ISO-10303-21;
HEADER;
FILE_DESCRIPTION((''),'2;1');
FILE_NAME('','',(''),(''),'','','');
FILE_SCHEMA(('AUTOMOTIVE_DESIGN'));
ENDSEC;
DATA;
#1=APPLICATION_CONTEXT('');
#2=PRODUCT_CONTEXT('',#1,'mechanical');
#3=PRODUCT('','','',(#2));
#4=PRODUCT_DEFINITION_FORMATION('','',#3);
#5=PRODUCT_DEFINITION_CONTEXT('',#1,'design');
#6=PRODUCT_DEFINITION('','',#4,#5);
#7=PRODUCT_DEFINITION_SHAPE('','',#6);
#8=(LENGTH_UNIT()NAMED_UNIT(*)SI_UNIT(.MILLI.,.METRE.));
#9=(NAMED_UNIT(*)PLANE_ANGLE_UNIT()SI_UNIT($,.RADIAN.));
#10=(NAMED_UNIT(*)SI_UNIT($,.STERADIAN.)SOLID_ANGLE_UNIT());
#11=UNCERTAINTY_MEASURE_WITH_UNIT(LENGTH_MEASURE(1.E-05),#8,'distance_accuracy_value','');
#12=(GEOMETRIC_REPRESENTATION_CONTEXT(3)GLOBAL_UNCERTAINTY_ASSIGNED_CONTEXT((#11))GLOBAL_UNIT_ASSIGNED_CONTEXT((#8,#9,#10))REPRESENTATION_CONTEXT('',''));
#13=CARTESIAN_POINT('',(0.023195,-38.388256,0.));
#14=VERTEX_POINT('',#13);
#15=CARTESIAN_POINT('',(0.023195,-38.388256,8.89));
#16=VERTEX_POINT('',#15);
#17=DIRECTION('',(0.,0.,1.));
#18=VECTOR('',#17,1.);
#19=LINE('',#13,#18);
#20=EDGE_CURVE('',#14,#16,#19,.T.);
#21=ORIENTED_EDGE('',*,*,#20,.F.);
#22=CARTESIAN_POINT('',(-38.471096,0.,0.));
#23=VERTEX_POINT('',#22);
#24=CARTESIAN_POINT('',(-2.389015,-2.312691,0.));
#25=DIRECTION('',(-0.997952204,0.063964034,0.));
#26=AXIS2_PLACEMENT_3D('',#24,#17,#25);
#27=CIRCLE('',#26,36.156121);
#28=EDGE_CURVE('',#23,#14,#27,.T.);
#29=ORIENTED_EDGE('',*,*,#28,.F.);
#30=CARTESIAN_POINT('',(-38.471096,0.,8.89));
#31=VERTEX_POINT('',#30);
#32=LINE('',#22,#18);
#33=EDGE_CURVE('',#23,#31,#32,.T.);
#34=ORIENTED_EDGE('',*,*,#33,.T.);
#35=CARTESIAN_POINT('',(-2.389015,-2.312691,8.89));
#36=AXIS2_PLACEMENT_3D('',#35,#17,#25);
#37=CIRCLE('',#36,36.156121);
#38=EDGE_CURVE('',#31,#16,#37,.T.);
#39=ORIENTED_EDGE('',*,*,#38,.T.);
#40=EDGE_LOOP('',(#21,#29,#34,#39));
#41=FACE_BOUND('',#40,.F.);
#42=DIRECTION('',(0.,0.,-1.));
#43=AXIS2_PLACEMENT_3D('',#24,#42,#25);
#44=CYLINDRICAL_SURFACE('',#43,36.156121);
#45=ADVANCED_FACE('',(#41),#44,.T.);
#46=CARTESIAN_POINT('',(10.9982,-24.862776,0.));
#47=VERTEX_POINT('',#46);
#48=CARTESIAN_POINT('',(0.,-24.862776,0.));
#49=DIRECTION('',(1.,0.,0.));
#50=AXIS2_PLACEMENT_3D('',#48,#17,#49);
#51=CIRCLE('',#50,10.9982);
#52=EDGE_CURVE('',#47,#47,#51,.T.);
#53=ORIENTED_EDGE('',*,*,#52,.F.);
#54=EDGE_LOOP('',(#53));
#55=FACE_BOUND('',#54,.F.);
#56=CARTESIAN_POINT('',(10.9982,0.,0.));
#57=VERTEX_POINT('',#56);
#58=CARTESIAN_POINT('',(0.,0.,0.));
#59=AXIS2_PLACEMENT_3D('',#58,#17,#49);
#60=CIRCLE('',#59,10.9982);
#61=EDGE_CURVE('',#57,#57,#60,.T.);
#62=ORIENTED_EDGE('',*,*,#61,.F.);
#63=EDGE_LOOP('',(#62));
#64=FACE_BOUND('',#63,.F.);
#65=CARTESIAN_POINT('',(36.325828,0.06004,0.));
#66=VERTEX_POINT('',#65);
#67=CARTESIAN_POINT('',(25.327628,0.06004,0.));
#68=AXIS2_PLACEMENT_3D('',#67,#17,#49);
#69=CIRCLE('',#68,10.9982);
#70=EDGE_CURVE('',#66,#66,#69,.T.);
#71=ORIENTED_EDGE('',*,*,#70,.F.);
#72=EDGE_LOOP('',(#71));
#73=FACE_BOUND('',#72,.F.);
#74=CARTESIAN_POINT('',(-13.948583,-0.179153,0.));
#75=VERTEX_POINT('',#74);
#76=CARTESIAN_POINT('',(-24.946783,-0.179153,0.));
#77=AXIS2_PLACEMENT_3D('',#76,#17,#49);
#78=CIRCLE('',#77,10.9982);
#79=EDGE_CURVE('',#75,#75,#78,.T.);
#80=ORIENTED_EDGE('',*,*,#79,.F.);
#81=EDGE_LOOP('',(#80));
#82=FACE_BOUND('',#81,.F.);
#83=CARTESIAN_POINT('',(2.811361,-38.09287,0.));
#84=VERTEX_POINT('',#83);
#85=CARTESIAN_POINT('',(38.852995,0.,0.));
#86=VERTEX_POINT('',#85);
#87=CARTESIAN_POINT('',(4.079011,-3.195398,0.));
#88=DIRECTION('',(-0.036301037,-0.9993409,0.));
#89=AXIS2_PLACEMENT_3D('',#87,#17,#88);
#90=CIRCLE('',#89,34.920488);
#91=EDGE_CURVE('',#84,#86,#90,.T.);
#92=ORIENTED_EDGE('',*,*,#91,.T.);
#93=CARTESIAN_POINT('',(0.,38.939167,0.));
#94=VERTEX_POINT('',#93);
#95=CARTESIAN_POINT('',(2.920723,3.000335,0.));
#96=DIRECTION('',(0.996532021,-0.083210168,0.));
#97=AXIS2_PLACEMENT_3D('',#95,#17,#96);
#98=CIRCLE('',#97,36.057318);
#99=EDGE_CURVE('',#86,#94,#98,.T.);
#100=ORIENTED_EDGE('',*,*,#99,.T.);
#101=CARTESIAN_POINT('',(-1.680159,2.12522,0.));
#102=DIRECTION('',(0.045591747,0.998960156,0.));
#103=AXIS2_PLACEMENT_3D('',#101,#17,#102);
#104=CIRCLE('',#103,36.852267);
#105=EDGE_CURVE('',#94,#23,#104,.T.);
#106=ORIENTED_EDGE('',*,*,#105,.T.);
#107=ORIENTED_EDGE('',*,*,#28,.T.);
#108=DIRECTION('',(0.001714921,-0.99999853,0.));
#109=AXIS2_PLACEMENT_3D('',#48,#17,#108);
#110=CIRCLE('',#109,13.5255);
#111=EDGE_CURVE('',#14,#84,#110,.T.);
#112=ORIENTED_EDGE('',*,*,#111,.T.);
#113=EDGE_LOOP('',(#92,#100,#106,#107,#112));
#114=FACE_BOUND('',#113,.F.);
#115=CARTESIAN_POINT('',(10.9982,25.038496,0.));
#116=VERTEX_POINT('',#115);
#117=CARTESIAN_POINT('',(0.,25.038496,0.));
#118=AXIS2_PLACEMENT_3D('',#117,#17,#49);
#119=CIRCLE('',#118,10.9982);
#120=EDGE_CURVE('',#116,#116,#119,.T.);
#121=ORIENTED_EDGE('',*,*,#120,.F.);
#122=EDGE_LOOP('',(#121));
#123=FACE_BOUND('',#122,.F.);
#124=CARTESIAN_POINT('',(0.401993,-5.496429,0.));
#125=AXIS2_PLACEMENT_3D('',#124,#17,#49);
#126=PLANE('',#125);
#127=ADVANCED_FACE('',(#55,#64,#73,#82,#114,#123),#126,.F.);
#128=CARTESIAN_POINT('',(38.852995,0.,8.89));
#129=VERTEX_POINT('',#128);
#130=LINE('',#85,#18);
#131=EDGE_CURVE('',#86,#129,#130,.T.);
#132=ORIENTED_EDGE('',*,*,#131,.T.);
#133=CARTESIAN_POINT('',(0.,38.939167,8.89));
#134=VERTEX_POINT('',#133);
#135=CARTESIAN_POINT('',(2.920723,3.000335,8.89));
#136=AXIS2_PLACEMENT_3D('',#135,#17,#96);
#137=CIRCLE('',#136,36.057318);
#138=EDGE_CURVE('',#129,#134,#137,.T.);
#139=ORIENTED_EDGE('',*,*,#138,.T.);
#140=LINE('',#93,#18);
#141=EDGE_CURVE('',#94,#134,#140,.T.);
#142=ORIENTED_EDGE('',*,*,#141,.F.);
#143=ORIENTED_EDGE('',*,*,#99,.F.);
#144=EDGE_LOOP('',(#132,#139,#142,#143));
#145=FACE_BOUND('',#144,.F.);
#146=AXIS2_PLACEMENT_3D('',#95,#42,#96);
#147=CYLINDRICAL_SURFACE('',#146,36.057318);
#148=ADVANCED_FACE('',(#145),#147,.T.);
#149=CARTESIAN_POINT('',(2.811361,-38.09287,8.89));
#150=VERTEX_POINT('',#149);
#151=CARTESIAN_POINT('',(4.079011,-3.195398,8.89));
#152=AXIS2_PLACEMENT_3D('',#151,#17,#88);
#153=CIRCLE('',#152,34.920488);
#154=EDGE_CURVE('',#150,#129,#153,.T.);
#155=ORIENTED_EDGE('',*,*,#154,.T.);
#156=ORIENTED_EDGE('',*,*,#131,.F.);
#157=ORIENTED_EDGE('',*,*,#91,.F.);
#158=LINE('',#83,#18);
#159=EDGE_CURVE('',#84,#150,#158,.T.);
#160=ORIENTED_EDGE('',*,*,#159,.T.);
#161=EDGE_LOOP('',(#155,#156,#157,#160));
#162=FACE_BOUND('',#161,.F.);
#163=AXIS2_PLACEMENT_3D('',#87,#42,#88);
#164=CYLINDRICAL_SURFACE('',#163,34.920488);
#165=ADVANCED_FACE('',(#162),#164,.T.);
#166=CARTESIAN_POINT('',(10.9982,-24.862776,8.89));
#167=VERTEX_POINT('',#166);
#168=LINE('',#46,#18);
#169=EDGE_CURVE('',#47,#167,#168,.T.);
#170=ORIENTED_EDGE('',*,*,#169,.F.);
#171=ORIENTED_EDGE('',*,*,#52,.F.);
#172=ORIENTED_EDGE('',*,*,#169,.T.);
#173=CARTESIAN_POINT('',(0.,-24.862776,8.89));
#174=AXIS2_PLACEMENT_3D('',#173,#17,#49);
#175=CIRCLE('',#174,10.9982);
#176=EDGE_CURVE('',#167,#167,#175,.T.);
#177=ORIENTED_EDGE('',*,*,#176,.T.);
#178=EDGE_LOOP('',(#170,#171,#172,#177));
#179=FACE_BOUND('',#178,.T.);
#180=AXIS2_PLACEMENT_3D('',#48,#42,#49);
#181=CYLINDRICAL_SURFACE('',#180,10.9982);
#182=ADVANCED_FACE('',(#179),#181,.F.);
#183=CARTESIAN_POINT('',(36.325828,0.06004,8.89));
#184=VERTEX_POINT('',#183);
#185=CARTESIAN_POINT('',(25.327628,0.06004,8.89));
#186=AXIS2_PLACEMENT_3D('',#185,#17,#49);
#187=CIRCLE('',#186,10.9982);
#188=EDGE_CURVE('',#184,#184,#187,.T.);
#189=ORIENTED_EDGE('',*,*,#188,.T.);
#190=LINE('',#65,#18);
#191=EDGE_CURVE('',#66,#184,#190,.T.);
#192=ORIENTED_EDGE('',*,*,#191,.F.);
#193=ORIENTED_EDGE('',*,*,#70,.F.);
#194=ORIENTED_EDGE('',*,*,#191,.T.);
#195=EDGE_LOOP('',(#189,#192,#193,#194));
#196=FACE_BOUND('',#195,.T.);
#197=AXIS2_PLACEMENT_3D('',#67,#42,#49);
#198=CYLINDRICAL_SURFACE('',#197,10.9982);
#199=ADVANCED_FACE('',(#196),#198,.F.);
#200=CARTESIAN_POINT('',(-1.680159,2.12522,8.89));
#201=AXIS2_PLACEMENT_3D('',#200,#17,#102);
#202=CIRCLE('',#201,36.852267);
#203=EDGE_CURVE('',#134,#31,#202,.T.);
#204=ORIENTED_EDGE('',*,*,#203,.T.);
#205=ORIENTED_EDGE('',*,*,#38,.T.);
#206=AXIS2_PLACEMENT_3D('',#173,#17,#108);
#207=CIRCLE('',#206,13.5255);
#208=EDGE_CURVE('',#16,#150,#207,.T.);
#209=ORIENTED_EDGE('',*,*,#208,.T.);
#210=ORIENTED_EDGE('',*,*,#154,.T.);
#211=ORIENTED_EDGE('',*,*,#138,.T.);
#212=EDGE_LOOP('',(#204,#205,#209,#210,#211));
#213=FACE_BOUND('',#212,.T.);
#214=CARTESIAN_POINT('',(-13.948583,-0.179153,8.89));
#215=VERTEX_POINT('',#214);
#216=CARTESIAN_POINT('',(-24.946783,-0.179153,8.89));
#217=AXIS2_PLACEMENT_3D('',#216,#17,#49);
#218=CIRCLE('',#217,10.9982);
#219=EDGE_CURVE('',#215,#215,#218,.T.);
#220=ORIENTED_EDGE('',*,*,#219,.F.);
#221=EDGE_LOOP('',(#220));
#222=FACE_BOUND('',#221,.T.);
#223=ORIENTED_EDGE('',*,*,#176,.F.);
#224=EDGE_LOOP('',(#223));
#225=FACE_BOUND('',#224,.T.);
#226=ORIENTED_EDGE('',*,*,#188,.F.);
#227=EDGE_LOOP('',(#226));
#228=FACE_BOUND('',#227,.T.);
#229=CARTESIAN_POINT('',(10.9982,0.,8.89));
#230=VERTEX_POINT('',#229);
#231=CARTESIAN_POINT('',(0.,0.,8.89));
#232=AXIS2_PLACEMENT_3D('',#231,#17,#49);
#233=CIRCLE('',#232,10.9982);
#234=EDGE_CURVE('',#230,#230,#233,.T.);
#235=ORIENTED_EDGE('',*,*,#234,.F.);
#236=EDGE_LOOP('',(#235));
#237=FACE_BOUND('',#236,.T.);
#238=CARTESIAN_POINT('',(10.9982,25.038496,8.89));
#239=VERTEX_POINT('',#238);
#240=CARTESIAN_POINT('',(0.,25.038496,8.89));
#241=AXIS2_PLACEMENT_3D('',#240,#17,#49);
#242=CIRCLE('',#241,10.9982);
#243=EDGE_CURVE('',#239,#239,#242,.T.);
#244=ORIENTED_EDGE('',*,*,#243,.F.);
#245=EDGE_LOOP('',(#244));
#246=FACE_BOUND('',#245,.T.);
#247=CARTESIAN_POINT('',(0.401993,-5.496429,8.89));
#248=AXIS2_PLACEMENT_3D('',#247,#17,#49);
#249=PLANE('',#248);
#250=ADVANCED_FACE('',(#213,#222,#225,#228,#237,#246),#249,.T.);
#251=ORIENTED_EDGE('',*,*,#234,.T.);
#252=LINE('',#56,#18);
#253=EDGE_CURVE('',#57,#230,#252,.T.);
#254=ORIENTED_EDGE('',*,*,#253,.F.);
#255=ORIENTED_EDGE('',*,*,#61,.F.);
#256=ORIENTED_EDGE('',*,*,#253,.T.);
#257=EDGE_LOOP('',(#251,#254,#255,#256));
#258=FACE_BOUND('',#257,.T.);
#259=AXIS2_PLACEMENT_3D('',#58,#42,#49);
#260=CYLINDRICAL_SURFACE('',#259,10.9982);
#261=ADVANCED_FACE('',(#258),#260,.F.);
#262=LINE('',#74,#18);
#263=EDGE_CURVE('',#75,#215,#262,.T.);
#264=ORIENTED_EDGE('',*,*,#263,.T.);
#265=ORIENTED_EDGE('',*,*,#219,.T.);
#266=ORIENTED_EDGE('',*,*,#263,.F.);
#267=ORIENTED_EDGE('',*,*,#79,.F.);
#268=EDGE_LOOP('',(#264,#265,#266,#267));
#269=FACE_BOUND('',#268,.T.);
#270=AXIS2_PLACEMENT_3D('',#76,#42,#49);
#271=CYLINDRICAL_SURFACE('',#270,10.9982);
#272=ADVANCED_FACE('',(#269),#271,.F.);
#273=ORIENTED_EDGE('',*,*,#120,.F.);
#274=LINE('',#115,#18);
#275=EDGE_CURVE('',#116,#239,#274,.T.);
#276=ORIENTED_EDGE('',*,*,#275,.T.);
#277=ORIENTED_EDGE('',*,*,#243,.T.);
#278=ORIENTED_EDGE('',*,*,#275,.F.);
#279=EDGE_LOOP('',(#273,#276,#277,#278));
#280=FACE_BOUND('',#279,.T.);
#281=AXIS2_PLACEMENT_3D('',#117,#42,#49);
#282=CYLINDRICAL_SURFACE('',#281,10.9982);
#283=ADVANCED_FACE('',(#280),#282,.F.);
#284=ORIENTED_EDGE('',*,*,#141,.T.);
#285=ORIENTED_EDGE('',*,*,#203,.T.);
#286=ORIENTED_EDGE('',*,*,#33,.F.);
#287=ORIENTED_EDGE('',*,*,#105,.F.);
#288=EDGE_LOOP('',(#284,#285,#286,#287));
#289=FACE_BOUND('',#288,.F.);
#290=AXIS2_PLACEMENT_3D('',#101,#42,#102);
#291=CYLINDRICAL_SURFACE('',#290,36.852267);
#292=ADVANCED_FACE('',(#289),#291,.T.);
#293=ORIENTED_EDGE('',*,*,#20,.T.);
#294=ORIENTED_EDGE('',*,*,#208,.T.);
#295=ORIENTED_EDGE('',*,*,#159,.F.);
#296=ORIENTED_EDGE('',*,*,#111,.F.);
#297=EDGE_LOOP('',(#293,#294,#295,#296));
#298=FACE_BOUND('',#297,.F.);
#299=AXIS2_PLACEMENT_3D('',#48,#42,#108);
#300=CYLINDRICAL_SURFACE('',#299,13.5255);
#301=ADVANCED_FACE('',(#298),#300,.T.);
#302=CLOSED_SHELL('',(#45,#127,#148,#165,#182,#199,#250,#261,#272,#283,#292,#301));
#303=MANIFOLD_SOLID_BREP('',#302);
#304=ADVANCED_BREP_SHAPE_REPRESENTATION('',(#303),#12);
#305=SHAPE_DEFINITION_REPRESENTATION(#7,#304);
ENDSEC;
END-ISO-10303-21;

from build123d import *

# Parameters (mm, degrees)
F0_R     = 10.9982
F1_DEPTH = 8.89


with BuildPart() as f1:
    # F0 (on Top) → F1 (new body)
    with BuildSketch(Plane.XY):
        with BuildLine():
            ThreePointArc((38.8529947684, 0), (28.4453239469, 28.4684513244), (0, 38.9391665957))
            ThreePointArc((0, 38.9391665957), (-27.8957339054, 28.0256688183), (-38.4710963646, 0))
            ThreePointArc((-38.4710963646, 0), (-27.9199689316, -27.9141662733), (0.0231951649, -38.3882556901))
            ThreePointArc((0.0231951649, -38.3882556901), (-9.5721699853, -15.3070070583), (13.5255, -24.8627755791))
            ThreePointArc((13.5255, -24.8627755791), (10.5110469105, -33.3749458719), (2.8113610633, -38.0928700316))
            ThreePointArc((2.8113610633, -38.0928700316), (29.4450372623, -27.1955065208), (38.8529947684, 0))
        make_face()
        with BuildLine():
            ThreePointArc((-11.4212829144, -0.1791534288), (-25.0363615935, -13.7043567881), (-38.4710963646, 0))
            ThreePointArc((-38.4710963646, 0), (-24.8572042354, 13.3460499305), (-11.4212829144, -0.1791534288))
        make_face(mode=Mode.SUBTRACT)
        Circle(F0_R, mode=Mode.SUBTRACT)
        with BuildLine():
            ThreePointArc((38.8531280306, 0.0600404714), (38.853094715, 0.0300201617), (38.8529947684, 0))
            ThreePointArc((38.8529947684, 0), (11.8021613462, 0.090060781), (38.8531280306, 0.0600404714))
        make_face(mode=Mode.SUBTRACT)
        with BuildLine():
            ThreePointArc((0, 38.9391665957), (9.8292581555, 34.8677545596), (13.9006701916, 25.0384964041))
            ThreePointArc((13.9006701916, 25.0384964041), (-9.8292581555, 15.2092382486), (0, 38.9391665957))
        make_face(mode=Mode.SUBTRACT)
        with BuildLine():
            ThreePointArc((0, 38.9391665957), (-9.8292581555, 15.2092382486), (13.9006701916, 25.0384964041))
            ThreePointArc((13.9006701916, 25.0384964041), (9.8292581555, 34.8677545596), (0, 38.9391665957))
        make_face()
        with Locations((0, 25.0384964041)):
            Circle(F0_R, mode=Mode.SUBTRACT)
        with BuildLine():
            ThreePointArc((-11.4212829144, -0.1791534288), (-24.8572042354, 13.3460499305), (-38.4710963646, 0))
            ThreePointArc((-38.4710963646, 0), (-25.0363615935, -13.7043567881), (-11.4212829144, -0.1791534288))
        make_face()
        with Locations((-24.9467829144, -0.1791534288)):
            Circle(F0_R, mode=Mode.SUBTRACT)
        with BuildLine():
            ThreePointArc((38.8531280306, 0.0600404714), (11.8021613462, 0.090060781), (38.8529947684, 0))
            ThreePointArc((38.8529947684, 0), (38.853094715, 0.0300201617), (38.8531280306, 0.0600404714))
        make_face()
        with Locations((25.3276280306, 0.0600404714)):
            Circle(F0_R, mode=Mode.SUBTRACT)
        with BuildLine():
            ThreePointArc((0.0231951649, -38.3882556901), (1.4201424448, -38.2675994791), (2.8113610633, -38.0928700316))
            ThreePointArc((2.8113610633, -38.0928700316), (10.5110469105, -33.3749458719), (13.5255, -24.8627755791))
            ThreePointArc((13.5255, -24.8627755791), (-9.5721699853, -15.3070070583), (0.0231951649, -38.3882556901))
        make_face()
        with Locations((0, -24.8627755791)):
            Circle(F0_R, mode=Mode.SUBTRACT)
        with BuildLine():
            ThreePointArc((0.0231951649, -38.3882556901), (1.4249527798, -38.3130045669), (2.8113610633, -38.0928700316))
            ThreePointArc((2.8113610633, -38.0928700316), (1.4201424448, -38.2675994791), (0.0231951649, -38.3882556901))
        make_face()
    extrude(amount=F1_DEPTH)


solid = f1.part
